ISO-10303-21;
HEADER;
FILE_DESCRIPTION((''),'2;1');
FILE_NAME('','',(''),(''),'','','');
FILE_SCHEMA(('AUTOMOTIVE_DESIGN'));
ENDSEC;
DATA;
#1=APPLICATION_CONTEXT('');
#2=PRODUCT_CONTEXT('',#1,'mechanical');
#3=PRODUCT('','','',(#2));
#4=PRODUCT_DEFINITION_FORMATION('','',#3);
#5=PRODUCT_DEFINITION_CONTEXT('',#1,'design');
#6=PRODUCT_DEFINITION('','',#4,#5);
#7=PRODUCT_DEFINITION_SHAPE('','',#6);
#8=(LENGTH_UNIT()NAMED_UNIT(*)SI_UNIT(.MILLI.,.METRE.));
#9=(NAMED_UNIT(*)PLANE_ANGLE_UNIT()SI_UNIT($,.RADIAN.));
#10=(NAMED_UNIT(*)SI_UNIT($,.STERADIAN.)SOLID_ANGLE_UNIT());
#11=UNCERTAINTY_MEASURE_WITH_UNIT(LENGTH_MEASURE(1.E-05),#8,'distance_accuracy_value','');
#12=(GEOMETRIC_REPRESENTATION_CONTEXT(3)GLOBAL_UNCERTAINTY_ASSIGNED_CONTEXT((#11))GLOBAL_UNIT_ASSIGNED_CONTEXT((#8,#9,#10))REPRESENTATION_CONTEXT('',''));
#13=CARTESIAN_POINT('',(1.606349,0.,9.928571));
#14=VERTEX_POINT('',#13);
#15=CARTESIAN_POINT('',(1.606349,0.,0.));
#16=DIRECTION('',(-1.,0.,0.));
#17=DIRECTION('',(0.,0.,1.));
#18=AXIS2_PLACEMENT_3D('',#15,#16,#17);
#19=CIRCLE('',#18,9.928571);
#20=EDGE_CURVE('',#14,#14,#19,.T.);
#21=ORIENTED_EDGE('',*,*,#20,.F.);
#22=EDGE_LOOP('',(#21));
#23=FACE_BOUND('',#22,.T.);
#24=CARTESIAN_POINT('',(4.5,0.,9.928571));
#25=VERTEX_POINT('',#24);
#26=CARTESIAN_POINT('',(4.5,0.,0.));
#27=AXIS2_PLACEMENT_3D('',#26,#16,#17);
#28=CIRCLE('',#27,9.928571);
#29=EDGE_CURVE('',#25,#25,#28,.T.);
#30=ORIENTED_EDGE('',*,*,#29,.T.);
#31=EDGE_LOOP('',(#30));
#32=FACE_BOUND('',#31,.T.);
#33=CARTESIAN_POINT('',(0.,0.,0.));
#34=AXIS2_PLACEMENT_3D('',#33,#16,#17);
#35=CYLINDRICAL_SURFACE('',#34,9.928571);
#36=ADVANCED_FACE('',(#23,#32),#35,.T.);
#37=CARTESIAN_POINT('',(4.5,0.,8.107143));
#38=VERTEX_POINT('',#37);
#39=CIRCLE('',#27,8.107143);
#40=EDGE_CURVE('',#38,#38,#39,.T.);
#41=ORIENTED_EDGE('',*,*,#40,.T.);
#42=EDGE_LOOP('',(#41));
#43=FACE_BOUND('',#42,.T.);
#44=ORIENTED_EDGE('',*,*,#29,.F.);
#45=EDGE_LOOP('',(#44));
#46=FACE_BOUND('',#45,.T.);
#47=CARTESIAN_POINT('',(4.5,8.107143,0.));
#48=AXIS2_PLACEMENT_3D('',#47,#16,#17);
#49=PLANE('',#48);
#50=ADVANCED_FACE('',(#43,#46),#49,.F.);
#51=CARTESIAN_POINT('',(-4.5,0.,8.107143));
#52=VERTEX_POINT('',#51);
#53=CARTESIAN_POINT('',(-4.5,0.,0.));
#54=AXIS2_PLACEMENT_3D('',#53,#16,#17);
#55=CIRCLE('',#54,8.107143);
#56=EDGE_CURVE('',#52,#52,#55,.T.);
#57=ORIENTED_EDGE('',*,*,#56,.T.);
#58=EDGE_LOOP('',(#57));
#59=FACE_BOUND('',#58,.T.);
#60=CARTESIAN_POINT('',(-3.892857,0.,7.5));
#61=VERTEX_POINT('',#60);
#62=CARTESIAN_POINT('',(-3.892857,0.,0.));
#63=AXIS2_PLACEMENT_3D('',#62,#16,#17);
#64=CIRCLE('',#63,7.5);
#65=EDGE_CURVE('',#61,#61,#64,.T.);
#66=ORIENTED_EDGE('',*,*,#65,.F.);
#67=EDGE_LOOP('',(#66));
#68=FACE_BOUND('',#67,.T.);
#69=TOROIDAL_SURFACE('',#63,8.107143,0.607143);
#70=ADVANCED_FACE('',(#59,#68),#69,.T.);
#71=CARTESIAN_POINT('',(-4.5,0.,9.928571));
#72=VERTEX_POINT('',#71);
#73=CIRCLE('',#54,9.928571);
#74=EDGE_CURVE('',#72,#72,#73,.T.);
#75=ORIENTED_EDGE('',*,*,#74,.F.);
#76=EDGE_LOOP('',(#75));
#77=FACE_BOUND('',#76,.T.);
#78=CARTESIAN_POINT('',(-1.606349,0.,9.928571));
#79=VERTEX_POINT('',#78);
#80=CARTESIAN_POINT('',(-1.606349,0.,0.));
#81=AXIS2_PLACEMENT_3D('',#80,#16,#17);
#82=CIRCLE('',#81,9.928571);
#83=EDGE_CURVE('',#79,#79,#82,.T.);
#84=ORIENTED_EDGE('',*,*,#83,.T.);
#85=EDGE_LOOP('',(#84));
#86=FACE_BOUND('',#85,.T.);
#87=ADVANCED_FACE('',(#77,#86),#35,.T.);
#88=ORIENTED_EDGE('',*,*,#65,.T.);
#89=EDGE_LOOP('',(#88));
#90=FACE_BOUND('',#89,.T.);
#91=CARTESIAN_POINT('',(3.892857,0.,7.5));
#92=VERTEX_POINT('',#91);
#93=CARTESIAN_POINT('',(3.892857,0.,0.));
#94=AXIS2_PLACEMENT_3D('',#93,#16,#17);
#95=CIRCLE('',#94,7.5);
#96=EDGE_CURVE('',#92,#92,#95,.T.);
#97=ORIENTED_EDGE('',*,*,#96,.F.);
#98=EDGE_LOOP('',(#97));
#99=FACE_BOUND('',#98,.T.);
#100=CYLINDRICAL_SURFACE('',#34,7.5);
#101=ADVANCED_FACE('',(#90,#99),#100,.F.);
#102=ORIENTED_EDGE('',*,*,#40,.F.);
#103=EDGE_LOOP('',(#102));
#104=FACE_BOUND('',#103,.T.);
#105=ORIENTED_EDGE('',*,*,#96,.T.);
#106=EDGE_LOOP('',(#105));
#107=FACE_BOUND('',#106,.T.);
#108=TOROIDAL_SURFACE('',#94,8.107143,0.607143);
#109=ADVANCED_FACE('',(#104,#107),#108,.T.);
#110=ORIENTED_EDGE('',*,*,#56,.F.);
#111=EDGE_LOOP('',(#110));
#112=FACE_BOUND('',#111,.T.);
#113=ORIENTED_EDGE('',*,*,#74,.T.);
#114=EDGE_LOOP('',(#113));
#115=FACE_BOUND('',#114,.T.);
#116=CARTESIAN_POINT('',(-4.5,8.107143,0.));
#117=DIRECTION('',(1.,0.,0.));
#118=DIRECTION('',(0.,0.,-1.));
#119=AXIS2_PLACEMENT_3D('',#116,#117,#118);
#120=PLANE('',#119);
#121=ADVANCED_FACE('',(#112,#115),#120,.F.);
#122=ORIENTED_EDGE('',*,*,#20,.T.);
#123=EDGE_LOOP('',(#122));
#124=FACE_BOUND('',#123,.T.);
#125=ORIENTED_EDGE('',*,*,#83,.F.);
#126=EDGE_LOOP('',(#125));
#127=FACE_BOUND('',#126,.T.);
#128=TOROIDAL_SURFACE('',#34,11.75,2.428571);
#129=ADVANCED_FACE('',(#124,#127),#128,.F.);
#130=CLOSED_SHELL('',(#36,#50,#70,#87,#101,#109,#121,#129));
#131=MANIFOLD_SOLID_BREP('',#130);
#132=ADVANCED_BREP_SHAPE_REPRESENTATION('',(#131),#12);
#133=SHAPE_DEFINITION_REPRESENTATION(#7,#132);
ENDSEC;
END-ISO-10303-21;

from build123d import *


with BuildPart() as part:
    # Esquisse1 → Base-Révolution (revolve)
    with BuildSketch(Plane.XY):
        with BuildLine():
            Line((-3.892857143, 7.5), (3.892857143, 7.5))
            ThreePointArc((3.892857143, 7.5), (4.322171974, 7.677828026), (4.5, 8.107142857))
            Line((4.5, 8.107142857), (4.5, 9.928571429))
            Line((4.5, 9.928571429), (1.60634901, 9.928571429))
            ThreePointArc((1.60634901, 9.928571429), (0, 9.321428571), (-1.60634901, 9.928571429))
            Line((-1.60634901, 9.928571429), (-4.5, 9.928571429))
            Line((-4.5, 9.928571429), (-4.5, 8.107142857))
            ThreePointArc((-4.5, 8.107142857), (-4.322171974, 7.677828026), (-3.892857143, 7.5))
        make_face()
    revolve(axis=Axis((0, 0, 0), (1, 0, 0)))


solid = part.part
